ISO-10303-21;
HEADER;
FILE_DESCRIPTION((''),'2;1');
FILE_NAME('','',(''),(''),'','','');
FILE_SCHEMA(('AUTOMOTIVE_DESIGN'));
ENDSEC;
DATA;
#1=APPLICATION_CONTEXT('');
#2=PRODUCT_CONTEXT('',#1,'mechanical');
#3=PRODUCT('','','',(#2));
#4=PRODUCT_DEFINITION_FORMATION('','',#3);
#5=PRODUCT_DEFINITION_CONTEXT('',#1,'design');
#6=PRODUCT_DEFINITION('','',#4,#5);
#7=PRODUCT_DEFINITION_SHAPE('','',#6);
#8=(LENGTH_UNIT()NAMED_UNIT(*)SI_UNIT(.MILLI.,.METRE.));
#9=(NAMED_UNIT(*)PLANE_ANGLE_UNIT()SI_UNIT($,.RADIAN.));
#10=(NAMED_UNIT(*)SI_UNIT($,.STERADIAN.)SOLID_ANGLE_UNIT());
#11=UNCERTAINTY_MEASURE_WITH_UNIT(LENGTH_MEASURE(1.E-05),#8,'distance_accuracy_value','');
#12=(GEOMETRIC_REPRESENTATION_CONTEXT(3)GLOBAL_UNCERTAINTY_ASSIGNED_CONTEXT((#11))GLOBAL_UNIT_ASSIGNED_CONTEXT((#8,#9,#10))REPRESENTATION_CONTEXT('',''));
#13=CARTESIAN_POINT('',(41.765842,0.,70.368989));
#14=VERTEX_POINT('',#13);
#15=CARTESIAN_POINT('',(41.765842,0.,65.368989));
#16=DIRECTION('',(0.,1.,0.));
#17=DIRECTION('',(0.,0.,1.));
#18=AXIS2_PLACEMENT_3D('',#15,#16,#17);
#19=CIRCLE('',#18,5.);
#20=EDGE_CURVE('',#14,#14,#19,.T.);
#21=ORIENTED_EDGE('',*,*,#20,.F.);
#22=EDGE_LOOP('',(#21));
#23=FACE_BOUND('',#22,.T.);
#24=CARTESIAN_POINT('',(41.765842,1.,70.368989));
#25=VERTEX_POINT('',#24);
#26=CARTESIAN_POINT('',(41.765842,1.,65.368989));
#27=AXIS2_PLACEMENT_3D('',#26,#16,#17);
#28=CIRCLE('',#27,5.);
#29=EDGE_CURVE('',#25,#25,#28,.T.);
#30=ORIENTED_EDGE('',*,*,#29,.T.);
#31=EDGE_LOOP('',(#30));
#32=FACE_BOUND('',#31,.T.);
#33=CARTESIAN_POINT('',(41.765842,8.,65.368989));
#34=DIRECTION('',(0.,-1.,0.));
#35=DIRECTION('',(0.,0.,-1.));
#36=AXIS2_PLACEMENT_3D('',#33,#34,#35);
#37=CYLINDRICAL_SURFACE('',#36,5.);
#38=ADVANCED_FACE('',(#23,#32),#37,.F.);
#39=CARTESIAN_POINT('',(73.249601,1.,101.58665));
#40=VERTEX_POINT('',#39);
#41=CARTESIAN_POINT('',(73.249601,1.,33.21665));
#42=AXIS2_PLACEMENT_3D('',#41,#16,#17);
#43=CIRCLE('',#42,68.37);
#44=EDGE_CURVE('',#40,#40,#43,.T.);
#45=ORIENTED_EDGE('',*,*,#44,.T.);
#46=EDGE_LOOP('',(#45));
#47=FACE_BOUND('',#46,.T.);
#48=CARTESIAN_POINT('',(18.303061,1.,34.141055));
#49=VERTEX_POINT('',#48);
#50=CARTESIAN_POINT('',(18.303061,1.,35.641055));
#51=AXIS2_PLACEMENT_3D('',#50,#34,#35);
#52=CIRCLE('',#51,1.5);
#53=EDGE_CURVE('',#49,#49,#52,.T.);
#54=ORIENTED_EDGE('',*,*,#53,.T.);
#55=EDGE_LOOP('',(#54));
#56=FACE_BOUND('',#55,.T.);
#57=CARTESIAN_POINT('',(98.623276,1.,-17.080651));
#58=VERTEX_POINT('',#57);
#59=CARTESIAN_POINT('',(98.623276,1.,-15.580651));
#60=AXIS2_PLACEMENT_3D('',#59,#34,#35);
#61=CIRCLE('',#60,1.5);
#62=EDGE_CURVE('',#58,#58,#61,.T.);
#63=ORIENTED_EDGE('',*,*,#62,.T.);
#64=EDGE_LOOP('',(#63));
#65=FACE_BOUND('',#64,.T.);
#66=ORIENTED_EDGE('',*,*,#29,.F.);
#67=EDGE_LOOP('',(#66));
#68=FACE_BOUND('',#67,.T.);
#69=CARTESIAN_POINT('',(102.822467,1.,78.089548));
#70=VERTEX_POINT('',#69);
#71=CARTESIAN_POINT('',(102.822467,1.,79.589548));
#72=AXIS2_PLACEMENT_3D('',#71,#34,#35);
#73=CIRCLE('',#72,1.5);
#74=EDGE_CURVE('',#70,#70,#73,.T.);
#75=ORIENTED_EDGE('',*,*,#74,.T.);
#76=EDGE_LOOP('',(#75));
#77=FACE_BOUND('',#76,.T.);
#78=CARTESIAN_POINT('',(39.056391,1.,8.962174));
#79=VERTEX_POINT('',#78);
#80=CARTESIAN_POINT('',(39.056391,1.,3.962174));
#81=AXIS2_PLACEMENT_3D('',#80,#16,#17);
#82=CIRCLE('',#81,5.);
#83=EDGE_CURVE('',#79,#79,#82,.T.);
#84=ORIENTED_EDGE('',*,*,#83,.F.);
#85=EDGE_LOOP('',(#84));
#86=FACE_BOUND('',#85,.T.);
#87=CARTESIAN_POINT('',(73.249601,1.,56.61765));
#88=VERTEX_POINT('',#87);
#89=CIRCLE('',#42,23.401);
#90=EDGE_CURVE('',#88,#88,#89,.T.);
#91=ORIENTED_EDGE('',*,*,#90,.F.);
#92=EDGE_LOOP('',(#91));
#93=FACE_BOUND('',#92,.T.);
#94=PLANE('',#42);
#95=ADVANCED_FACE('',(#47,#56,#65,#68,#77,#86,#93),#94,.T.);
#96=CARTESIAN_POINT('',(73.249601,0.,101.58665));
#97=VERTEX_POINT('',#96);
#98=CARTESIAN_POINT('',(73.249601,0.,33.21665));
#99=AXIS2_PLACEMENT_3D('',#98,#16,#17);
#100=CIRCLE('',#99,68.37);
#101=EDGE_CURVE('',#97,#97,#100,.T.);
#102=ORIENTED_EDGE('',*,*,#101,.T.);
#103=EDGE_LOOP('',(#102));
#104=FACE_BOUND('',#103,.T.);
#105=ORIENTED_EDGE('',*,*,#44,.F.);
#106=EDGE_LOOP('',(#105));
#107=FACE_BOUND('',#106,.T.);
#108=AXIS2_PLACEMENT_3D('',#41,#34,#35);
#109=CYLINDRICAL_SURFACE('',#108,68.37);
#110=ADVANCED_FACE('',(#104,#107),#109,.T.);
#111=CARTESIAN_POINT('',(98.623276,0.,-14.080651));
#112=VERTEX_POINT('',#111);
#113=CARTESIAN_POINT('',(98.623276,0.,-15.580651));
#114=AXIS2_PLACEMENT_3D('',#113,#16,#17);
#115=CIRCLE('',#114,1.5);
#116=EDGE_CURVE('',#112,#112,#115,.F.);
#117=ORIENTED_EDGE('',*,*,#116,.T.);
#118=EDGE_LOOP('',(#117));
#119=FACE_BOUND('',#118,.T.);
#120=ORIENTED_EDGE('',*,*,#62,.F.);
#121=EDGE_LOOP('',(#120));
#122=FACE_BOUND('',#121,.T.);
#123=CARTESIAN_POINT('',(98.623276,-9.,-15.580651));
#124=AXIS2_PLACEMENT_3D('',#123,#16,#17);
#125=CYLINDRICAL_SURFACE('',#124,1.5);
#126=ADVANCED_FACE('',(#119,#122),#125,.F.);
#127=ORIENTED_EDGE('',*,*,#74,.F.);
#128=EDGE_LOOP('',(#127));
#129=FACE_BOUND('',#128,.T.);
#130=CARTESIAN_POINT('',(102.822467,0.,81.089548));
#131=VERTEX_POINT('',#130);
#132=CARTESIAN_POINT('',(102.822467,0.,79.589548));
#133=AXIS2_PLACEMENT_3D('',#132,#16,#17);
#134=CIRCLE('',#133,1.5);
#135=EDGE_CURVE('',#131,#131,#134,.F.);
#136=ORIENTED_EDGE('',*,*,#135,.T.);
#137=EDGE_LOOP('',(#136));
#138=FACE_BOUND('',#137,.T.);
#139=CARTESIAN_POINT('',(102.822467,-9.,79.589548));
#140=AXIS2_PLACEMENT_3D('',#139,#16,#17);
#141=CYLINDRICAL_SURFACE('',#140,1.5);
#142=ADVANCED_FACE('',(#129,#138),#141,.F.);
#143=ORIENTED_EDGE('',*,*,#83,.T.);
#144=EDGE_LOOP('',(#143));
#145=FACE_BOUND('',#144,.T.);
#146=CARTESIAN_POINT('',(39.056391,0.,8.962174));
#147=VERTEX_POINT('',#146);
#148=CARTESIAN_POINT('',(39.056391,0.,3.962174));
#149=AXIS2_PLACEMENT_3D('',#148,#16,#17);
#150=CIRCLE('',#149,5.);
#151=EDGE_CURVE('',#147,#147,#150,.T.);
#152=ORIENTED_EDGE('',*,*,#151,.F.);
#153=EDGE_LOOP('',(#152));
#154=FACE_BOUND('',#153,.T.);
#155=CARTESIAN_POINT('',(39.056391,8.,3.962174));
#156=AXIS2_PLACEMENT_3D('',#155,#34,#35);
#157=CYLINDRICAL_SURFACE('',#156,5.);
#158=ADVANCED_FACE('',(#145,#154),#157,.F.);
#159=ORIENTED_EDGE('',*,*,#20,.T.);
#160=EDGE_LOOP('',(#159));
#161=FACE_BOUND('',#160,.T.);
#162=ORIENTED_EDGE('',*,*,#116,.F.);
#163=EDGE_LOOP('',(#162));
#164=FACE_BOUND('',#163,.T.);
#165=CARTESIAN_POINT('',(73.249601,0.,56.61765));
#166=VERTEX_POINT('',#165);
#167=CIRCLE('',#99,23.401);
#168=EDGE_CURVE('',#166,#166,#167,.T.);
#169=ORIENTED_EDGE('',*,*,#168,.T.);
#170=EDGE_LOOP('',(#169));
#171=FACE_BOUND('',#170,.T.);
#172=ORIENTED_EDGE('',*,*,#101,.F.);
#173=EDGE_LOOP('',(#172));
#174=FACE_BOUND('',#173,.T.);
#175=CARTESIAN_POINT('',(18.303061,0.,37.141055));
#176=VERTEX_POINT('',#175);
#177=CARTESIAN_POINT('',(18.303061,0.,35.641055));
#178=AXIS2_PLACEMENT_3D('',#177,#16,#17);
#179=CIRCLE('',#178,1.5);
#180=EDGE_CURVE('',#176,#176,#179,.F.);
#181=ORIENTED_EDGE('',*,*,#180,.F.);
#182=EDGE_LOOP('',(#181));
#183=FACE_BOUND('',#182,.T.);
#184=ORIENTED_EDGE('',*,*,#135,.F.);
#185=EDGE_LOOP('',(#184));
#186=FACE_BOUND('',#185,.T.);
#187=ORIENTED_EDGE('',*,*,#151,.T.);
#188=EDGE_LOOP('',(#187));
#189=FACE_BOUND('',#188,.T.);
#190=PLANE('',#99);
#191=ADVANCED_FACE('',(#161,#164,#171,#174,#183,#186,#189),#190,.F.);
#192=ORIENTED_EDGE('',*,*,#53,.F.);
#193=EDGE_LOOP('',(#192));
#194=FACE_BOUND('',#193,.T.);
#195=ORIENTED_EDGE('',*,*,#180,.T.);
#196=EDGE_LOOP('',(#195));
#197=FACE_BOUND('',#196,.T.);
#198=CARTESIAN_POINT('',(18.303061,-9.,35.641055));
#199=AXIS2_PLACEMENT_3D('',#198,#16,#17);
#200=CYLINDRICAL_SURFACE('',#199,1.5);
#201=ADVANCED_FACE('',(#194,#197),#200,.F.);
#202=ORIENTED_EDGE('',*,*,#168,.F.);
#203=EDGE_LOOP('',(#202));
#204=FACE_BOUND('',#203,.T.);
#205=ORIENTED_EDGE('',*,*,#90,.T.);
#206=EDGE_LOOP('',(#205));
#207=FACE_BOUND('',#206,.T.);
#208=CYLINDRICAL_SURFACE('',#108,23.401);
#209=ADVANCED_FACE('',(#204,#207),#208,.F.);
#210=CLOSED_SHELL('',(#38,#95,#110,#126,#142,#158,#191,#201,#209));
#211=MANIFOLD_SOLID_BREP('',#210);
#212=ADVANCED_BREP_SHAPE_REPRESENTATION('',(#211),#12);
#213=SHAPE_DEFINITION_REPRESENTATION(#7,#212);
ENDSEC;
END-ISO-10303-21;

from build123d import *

# Parameters (mm, degrees)
SKETCH1_R           = 68.369999998
SKETCH1_R_2         = 23.401
BOSS_EXTRUDE1_DEPTH = 1
SKETCH2_R           = 1.5
CUT_EXTRUDE1_DEPTH  = 10
SKETCH6_R           = 5
CUT_EXTRUDE2_DEPTH  = 10


with BuildPart() as part:
    # Sketch1 → Boss-Extrude1 (new body)
    with BuildSketch(Plane(origin=(0, 0, 0), x_dir=(-1, 0, 0), z_dir=(0, 1, 0))):
        with Locations(Location((-73.249601195, 33.216650322, 0), (0, 0, 90))):
            Circle(SKETCH1_R)
        with Locations(Location((-73.249601195, 33.216650322, 0), (0, 0, 90))):
            Circle(SKETCH1_R_2, mode=Mode.SUBTRACT)
    extrude(amount=BOSS_EXTRUDE1_DEPTH)

    # Sketch2 → Cut-Extrude1 (cut)
    with BuildSketch(Plane.XZ.offset(-1)):
        with Locations(Location((18.303061139, 35.641054554, 0), (0, 0, 90))):
            Circle(SKETCH2_R)
        with Locations(Location((102.822466876, 79.589547745, 0), (0, 0, 90))):
            Circle(SKETCH2_R)
        with Locations(Location((98.623275569, -15.580651332, 0), (0, 0, 90))):
            Circle(SKETCH2_R)
    extrude(amount=CUT_EXTRUDE1_DEPTH, mode=Mode.SUBTRACT)

    # Sketch6 → Cut-Extrude2 (cut)
    with BuildSketch(Plane(origin=(47.341973048, -2, 109.358916756), x_dir=(0.09761667308977556, 0, 0.995224087899245), z_dir=(0, -1, 0))):
        with Locations(Location((-105.702188225, -2.042468777, 0), (0, 0, 5.601944352))):
            Circle(SKETCH6_R)
        with Locations(Location((-44.324158759, 1.255349618, 0), (0, 0, 5.601944352))):
            Circle(SKETCH6_R)
    extrude(amount=-CUT_EXTRUDE2_DEPTH, mode=Mode.SUBTRACT)


solid = part.part
